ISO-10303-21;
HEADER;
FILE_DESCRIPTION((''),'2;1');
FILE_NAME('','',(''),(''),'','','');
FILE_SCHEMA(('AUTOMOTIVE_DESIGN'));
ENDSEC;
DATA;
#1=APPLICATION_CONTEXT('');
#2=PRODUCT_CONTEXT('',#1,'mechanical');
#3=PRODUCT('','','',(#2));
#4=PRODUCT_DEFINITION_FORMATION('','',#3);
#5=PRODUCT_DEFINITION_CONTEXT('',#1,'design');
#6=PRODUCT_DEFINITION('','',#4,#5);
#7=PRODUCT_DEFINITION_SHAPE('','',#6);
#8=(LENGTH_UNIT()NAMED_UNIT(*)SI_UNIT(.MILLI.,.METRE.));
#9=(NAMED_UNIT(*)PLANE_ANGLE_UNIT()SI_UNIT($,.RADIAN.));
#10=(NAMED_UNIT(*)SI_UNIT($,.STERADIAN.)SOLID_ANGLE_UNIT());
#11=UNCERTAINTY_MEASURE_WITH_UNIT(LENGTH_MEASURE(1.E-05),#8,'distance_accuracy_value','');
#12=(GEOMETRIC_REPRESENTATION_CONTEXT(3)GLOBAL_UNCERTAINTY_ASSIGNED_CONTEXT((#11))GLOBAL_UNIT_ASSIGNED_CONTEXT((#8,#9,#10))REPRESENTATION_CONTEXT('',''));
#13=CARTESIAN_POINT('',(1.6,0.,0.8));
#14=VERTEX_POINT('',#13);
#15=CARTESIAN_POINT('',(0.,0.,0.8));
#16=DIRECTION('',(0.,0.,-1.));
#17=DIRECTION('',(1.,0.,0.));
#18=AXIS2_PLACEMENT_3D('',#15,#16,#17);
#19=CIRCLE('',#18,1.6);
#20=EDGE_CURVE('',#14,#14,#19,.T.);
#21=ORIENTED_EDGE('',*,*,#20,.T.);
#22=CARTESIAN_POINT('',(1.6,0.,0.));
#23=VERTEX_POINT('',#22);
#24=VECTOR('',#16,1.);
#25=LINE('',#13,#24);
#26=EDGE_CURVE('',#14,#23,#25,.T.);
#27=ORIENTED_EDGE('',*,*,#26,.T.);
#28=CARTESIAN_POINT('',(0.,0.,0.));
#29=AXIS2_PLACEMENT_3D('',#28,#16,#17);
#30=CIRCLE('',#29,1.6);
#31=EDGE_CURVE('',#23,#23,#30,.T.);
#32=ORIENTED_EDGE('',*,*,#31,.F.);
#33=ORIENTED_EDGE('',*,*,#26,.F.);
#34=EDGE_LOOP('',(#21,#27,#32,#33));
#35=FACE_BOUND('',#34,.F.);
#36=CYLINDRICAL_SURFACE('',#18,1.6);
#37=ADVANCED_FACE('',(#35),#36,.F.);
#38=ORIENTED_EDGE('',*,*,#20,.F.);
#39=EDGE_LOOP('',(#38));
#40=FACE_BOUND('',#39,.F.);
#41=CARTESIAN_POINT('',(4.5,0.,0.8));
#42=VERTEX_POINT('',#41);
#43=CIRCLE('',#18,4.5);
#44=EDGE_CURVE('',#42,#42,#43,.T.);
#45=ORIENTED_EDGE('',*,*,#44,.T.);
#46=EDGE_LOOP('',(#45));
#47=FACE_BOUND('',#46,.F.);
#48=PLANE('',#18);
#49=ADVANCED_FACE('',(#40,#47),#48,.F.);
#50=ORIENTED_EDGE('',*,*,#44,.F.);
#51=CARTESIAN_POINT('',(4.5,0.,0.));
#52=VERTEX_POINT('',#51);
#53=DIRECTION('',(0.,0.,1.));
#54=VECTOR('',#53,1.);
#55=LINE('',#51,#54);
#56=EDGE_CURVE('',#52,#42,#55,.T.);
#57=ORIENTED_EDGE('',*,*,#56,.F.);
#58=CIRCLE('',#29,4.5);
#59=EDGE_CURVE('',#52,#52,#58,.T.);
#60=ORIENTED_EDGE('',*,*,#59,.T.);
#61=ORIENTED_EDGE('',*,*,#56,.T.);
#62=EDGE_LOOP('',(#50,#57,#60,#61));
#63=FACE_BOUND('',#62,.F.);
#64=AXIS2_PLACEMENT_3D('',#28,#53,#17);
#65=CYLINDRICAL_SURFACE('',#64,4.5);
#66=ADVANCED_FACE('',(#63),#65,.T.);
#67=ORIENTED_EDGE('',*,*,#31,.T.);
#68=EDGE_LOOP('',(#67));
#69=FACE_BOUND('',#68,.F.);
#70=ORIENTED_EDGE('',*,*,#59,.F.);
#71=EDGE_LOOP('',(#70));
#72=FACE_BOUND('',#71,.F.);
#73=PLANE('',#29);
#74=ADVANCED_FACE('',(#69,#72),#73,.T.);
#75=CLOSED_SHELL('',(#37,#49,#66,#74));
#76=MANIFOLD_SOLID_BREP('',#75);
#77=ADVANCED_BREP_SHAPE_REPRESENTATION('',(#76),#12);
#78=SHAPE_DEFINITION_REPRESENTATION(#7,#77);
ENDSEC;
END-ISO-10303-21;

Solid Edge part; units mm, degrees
sketch "Sketch1" plane through (0, 0, 0) normal (0, -1, 0) x (1, 0, 0)
  line L0 (1.6, 0.8) -> (1.6, 0)
  line L1 (1.6, 0) -> (4.5, 0)
  line L2 (4.5, 0) -> (4.5, 0.8)
  line L3 (4.5, 0.8) -> (1.6, 0.8)
  dimension "D1" = 1.6
  dimension "D2" = 4.5
  dimension "D3" = 0.8
revolve "RevolvedProtrusion1" add sketch "Sketch1" angle 360 about axis through (0, 0, 2) along (0, 0, -1)
properties material "Steel"
